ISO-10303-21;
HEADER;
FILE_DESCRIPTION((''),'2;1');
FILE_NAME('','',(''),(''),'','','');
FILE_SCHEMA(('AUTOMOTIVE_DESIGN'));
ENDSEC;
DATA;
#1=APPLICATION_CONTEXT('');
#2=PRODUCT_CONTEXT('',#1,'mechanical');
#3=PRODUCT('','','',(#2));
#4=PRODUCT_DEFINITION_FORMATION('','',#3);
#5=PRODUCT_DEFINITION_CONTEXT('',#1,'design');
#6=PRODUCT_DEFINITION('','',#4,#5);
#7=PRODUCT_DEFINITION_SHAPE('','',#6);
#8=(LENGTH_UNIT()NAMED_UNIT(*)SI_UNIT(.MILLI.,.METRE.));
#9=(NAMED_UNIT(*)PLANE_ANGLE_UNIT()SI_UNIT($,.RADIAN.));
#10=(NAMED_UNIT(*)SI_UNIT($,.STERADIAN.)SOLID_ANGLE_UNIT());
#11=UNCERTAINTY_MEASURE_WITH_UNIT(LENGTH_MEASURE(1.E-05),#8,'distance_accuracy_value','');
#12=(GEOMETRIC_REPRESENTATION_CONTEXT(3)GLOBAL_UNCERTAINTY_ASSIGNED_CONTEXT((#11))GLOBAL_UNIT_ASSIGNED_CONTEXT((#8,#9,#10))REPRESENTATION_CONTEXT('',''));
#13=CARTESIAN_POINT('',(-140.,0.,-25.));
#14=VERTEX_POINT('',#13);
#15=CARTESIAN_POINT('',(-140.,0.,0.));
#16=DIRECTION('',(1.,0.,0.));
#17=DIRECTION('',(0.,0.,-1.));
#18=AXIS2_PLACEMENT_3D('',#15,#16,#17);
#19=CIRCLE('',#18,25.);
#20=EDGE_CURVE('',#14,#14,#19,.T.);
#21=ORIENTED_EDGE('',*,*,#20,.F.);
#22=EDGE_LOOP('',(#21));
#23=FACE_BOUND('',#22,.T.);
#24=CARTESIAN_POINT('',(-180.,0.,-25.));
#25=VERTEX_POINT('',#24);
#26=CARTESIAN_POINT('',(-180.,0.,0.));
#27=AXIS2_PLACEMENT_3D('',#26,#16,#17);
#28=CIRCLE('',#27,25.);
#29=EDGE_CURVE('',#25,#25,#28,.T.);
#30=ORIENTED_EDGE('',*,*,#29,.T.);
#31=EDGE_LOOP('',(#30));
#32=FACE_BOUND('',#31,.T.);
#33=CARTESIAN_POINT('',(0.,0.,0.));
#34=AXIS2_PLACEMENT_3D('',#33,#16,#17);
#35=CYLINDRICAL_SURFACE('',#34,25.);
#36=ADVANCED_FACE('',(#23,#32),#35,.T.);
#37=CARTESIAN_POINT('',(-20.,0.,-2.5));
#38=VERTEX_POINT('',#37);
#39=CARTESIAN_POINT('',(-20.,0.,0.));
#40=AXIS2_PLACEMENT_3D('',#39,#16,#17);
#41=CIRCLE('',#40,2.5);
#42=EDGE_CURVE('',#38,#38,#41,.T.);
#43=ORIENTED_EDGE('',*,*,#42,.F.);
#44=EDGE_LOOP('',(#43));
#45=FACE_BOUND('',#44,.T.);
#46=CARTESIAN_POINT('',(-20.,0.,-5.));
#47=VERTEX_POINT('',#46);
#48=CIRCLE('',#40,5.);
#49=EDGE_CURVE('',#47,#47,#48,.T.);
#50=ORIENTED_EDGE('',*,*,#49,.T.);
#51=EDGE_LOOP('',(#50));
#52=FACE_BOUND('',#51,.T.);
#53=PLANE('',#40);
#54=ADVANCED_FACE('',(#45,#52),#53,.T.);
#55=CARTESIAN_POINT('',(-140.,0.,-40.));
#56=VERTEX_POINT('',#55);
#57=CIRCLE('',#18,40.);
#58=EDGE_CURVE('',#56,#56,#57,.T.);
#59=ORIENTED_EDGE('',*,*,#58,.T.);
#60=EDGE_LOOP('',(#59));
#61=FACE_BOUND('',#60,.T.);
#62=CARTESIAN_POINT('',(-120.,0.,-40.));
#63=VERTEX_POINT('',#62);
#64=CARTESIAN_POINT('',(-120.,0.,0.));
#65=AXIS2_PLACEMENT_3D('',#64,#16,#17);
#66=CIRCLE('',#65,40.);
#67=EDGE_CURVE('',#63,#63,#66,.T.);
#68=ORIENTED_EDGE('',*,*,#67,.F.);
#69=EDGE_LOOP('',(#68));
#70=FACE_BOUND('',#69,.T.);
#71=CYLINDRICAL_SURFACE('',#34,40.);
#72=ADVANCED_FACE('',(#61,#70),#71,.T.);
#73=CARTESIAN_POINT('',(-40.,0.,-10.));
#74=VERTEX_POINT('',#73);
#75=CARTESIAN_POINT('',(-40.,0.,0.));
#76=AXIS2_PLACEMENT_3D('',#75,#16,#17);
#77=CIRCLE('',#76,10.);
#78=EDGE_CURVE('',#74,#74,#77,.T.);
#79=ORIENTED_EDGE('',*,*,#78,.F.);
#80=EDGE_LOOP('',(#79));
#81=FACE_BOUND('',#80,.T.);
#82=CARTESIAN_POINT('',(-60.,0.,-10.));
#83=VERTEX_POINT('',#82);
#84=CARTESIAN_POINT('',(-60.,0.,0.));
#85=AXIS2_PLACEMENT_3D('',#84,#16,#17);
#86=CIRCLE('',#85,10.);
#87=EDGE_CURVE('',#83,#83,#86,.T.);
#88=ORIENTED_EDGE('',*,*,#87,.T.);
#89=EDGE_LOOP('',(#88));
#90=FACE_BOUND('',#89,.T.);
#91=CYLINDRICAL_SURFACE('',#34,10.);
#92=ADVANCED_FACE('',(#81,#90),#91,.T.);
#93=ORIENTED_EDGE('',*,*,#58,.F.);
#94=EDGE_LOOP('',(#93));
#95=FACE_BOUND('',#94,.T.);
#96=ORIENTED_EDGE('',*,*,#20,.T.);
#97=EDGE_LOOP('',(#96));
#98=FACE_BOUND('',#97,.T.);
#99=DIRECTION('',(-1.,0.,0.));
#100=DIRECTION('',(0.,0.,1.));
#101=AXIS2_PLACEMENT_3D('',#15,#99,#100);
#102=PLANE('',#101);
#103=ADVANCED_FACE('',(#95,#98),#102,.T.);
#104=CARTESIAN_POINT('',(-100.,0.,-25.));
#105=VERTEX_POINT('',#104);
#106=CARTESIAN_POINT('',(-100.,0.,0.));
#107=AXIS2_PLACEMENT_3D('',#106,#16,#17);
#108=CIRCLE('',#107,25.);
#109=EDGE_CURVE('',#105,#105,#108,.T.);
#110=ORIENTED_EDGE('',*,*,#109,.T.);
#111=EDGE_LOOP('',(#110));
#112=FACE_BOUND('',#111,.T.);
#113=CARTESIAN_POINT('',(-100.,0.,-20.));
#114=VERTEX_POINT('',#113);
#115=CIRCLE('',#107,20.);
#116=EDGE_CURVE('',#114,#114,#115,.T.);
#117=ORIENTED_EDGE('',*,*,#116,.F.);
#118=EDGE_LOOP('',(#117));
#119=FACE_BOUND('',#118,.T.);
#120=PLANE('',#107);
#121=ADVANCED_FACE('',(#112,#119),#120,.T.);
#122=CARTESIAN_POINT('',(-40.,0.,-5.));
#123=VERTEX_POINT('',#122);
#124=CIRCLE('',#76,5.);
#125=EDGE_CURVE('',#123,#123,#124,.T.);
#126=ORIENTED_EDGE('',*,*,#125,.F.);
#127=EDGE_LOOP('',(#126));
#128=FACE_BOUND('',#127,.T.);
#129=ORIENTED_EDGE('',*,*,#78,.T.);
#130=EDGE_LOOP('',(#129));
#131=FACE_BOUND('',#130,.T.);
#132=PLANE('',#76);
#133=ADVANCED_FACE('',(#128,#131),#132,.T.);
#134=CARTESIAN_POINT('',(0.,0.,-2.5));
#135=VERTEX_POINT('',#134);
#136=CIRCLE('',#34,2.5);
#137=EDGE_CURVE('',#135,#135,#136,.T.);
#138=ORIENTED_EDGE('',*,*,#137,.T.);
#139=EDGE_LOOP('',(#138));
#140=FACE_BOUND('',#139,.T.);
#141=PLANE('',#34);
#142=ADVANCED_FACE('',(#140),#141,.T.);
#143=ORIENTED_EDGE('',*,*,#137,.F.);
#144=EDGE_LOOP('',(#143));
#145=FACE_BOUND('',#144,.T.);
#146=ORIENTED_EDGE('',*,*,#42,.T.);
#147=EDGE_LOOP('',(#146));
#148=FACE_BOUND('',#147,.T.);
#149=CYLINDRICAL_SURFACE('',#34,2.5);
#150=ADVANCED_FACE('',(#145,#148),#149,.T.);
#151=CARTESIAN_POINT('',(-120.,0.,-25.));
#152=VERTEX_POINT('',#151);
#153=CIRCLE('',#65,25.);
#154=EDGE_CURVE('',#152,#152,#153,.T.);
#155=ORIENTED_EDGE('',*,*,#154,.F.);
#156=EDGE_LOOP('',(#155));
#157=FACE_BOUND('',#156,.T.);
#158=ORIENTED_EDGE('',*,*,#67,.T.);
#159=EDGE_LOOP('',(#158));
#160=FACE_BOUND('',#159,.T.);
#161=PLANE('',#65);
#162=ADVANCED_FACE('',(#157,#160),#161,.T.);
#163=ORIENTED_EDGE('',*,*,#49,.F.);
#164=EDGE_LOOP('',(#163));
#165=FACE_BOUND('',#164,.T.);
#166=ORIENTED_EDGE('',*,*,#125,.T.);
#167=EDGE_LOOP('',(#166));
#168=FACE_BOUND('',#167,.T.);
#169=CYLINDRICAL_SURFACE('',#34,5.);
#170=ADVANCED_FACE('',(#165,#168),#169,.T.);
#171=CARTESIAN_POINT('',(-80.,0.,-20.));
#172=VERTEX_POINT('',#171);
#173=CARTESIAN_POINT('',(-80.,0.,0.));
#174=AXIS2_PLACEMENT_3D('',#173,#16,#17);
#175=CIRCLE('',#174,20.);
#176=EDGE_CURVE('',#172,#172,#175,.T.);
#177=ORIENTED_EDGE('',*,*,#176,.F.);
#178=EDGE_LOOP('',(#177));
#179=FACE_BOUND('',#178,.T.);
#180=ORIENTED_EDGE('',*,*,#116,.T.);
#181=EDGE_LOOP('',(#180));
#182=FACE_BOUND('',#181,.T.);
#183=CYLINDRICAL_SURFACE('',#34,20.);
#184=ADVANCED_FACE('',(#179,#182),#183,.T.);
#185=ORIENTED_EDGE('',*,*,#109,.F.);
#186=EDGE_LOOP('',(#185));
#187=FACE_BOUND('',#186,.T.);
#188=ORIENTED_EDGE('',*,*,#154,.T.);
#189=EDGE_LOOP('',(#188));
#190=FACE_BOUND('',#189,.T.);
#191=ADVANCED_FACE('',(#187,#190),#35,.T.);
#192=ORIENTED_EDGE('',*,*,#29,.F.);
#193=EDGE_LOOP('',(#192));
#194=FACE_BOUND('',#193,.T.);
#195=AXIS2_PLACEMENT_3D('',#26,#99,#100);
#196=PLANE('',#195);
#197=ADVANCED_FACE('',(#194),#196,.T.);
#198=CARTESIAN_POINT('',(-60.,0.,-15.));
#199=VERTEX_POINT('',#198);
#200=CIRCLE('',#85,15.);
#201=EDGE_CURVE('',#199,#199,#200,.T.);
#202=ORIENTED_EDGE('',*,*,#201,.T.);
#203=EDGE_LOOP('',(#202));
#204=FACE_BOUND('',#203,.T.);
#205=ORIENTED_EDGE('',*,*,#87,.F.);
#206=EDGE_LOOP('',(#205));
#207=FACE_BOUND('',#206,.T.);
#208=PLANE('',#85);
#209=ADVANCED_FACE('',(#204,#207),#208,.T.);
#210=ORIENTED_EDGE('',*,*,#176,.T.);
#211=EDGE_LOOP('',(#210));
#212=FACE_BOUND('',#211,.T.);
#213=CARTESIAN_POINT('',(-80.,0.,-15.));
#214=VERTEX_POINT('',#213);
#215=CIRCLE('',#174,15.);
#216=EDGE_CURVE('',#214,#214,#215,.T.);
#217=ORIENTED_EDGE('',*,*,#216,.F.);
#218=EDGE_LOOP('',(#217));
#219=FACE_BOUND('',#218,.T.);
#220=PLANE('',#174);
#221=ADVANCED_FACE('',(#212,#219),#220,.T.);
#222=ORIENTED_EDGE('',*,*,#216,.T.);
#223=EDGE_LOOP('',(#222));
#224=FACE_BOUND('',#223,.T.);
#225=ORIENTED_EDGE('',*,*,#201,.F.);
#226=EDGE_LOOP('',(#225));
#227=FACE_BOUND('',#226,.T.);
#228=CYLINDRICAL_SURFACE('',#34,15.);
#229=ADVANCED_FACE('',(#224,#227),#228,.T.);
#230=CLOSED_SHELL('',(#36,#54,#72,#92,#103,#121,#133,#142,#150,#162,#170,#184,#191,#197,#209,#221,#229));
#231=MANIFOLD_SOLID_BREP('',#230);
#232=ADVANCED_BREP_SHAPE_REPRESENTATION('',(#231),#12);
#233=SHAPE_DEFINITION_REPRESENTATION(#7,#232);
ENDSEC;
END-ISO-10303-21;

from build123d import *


with BuildPart() as part:
    # Sketch1 → Revolve4 (revolve)
    with BuildSketch(Plane.XY, mode=Mode.PRIVATE) as revolve4_sk:
        Polygon((-180, 0), (0, 0), (0, 2.5), (-20, 2.5), (-20, 5), (-40, 5), (-40, 10), (-60, 10), (-60, 15), (-80, 15), (-80, 20), (-100, 20), (-100, 25), (-120, 25), (-120, 40), (-140, 40), (-140, 25), (-180, 25), align=None)
    revolve(revolve4_sk.sketch.rotate(Axis((0, 0, 0), (-1, 0, 0)), 90), axis=Axis((0, 0, 0), (-1, 0, 0)))  # turned: the seam where the file's is


solid = part.part
